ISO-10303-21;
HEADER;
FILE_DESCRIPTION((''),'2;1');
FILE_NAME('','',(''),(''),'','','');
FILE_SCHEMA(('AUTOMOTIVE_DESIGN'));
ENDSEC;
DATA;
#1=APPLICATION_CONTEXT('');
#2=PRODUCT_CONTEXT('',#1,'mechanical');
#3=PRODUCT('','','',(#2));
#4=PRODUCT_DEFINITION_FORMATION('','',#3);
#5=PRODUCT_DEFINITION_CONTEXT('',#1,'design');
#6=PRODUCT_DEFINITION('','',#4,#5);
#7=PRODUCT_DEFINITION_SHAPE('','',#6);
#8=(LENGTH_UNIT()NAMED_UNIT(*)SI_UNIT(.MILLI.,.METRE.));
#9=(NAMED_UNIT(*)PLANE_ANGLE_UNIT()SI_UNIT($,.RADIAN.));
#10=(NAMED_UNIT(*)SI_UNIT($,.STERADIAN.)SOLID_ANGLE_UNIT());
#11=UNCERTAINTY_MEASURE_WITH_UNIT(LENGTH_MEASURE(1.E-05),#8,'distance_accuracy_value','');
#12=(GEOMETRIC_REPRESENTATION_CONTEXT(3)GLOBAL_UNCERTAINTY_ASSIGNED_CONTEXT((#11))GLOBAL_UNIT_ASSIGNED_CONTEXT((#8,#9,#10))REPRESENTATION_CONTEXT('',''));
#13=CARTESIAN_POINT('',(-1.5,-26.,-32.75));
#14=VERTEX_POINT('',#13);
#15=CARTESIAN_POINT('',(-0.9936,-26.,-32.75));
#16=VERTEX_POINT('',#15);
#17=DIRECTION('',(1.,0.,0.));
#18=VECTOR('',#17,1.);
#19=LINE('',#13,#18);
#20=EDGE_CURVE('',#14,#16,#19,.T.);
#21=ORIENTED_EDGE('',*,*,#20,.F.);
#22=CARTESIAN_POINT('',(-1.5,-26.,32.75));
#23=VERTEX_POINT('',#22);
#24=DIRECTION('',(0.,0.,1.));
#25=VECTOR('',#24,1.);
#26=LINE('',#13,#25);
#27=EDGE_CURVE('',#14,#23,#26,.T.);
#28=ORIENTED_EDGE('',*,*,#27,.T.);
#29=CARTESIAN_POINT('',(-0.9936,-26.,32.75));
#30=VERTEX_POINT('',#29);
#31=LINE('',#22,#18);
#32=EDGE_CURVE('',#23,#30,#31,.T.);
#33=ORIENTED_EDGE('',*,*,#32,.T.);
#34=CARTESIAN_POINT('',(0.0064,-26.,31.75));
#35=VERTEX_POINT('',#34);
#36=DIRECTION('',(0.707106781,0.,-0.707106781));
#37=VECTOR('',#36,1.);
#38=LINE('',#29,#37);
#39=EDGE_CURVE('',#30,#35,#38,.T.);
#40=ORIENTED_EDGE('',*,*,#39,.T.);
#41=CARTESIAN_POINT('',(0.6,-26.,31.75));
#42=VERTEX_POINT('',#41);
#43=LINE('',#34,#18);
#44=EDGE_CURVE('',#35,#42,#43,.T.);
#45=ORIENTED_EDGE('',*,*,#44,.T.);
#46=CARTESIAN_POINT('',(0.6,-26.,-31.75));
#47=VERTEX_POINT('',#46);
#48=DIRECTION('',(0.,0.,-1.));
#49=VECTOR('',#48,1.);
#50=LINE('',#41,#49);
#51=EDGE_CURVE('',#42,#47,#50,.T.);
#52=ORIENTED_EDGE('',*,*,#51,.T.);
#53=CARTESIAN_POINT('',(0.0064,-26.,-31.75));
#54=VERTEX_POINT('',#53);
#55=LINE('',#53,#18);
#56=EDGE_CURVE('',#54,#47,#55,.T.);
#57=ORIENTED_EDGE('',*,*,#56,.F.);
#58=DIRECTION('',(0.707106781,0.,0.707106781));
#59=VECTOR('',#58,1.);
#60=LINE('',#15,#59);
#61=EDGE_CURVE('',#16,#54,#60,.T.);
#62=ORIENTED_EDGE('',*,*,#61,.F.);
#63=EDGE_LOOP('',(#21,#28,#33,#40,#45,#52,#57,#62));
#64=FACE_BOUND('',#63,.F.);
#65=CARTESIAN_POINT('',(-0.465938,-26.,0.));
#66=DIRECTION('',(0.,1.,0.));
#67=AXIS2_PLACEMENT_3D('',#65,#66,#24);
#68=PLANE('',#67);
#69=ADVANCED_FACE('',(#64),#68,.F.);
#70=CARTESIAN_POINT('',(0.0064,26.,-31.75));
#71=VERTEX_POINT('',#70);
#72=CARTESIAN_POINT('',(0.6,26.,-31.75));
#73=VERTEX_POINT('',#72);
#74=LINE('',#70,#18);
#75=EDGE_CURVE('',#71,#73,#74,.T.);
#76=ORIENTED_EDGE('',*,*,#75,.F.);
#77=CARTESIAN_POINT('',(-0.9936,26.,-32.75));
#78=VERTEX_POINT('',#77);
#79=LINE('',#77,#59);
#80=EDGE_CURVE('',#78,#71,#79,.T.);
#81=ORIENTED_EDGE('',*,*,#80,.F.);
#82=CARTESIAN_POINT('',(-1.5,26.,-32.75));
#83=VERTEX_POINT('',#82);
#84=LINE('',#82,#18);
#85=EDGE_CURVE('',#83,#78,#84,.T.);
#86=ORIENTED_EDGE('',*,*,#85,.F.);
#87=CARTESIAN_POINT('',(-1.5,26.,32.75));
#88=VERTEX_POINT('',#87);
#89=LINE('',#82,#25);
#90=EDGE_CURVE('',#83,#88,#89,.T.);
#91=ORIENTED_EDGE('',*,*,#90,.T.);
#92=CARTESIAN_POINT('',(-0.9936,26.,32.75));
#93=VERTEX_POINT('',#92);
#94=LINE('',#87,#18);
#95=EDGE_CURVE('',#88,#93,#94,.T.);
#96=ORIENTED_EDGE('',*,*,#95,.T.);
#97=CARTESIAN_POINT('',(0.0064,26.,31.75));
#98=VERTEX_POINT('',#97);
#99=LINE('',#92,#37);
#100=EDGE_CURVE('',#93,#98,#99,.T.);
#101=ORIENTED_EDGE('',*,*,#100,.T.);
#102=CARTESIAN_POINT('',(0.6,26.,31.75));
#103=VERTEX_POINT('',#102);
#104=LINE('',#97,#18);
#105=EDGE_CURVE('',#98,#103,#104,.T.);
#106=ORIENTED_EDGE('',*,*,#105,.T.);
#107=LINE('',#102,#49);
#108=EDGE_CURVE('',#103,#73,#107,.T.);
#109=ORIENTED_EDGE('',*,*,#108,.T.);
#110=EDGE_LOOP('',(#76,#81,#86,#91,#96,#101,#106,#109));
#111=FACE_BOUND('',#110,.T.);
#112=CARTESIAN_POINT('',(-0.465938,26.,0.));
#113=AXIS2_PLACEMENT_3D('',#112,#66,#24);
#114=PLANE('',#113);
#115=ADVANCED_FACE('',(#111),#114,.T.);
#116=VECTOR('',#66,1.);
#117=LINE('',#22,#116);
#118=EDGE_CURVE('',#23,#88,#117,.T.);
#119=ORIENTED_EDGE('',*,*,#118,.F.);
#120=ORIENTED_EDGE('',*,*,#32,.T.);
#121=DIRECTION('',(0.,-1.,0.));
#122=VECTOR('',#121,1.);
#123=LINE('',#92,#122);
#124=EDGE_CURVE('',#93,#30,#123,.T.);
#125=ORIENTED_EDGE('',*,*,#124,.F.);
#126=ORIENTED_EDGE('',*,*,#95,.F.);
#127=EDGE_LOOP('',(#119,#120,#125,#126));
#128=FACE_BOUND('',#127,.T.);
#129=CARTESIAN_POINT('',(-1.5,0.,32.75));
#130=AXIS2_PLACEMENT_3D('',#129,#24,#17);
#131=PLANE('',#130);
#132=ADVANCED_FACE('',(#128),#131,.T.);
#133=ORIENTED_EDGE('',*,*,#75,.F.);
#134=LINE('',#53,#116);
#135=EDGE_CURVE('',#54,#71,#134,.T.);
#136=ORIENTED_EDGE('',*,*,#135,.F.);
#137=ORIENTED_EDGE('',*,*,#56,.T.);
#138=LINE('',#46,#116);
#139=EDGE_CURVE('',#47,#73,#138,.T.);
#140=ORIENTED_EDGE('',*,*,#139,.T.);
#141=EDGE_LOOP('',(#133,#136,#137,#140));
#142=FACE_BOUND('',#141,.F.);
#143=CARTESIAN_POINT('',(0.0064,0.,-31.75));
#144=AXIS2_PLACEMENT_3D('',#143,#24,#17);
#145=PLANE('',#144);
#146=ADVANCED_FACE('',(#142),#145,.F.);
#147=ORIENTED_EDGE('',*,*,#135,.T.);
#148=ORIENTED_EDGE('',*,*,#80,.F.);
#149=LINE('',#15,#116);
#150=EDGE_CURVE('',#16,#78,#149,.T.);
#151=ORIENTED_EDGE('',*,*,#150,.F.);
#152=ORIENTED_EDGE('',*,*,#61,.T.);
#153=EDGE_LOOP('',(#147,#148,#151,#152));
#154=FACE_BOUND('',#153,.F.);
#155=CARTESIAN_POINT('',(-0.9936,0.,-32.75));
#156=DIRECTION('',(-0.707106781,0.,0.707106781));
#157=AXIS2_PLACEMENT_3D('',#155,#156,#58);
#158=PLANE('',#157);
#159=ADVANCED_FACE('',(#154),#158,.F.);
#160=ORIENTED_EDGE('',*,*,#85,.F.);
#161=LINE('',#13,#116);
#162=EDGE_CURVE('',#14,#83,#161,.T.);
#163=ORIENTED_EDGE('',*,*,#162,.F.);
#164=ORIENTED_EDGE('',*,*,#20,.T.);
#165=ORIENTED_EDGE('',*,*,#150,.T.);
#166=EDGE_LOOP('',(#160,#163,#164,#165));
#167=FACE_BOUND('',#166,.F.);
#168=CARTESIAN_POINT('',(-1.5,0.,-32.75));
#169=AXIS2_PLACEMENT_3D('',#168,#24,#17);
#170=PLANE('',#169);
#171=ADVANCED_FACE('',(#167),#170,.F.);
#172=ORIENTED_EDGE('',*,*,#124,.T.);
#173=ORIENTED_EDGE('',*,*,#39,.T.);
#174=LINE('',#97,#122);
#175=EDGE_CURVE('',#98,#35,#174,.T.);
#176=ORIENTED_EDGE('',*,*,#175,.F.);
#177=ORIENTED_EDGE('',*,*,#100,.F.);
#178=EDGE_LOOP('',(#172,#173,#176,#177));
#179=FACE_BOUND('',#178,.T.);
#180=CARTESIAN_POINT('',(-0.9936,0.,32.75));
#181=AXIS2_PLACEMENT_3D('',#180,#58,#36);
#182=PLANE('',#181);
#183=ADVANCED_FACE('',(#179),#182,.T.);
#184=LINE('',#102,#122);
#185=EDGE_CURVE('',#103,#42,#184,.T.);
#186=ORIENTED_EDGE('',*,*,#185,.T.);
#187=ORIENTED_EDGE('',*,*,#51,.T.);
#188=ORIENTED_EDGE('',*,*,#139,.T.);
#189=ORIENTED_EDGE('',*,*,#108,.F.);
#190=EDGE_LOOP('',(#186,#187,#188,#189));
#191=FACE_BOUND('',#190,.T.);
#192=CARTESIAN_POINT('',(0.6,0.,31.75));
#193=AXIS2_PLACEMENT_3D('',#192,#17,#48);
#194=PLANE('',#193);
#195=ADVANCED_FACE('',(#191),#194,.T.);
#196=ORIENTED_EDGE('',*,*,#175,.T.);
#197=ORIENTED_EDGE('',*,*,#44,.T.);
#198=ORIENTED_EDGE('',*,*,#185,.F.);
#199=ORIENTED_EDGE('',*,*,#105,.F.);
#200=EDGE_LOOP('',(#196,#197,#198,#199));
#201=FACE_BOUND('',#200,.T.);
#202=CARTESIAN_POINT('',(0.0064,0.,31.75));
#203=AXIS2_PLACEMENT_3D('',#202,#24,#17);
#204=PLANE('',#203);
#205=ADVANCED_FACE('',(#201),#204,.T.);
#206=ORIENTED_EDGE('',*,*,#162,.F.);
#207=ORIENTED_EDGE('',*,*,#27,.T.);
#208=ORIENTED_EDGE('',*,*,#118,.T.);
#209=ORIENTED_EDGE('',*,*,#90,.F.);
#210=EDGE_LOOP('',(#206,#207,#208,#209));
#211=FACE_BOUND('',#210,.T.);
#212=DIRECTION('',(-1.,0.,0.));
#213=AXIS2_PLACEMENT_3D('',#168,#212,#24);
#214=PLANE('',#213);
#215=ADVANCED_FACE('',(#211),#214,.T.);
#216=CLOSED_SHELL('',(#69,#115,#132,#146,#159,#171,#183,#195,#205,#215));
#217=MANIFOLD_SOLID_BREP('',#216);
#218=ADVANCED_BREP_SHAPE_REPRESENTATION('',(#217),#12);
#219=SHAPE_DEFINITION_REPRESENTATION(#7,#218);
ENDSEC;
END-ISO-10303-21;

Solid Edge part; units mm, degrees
sketch "Sketch1" plane through (0, 0, 0) normal (0, -1, 0) x (1, 0, 0)
  line L0 (0.6, 31.75) -> (0.6, -31.75)
  line L1 (0.0064, -31.75) -> (0.6, -31.75)
  line L2 (-0.9936, -32.75) -> (0.0064, -31.75)
  line L3 (-1.5, -32.75) -> (-0.9936, -32.75)
  line L4 (-1.5, -32.75) -> (-1.5, 32.75)
  line L5 (-1.5, 32.75) -> (-0.9936, 32.75)
  line L6 (-0.9936, 32.75) -> (0.0064, 31.75)
  line L7 (0.0064, 31.75) -> (0.6, 31.75)
  dimension "D1" = 65.5
  dimension "D2" = 63.5
  dimension "D3" = 1.5
  dimension "D4" = 2.1
  dimension "D5" = 63.5
  dimension "D6" = 0.25
  dimension "D7" = 0.25
extrude "Protrusion1" add sketch "Sketch1" along normal mid plane 52
